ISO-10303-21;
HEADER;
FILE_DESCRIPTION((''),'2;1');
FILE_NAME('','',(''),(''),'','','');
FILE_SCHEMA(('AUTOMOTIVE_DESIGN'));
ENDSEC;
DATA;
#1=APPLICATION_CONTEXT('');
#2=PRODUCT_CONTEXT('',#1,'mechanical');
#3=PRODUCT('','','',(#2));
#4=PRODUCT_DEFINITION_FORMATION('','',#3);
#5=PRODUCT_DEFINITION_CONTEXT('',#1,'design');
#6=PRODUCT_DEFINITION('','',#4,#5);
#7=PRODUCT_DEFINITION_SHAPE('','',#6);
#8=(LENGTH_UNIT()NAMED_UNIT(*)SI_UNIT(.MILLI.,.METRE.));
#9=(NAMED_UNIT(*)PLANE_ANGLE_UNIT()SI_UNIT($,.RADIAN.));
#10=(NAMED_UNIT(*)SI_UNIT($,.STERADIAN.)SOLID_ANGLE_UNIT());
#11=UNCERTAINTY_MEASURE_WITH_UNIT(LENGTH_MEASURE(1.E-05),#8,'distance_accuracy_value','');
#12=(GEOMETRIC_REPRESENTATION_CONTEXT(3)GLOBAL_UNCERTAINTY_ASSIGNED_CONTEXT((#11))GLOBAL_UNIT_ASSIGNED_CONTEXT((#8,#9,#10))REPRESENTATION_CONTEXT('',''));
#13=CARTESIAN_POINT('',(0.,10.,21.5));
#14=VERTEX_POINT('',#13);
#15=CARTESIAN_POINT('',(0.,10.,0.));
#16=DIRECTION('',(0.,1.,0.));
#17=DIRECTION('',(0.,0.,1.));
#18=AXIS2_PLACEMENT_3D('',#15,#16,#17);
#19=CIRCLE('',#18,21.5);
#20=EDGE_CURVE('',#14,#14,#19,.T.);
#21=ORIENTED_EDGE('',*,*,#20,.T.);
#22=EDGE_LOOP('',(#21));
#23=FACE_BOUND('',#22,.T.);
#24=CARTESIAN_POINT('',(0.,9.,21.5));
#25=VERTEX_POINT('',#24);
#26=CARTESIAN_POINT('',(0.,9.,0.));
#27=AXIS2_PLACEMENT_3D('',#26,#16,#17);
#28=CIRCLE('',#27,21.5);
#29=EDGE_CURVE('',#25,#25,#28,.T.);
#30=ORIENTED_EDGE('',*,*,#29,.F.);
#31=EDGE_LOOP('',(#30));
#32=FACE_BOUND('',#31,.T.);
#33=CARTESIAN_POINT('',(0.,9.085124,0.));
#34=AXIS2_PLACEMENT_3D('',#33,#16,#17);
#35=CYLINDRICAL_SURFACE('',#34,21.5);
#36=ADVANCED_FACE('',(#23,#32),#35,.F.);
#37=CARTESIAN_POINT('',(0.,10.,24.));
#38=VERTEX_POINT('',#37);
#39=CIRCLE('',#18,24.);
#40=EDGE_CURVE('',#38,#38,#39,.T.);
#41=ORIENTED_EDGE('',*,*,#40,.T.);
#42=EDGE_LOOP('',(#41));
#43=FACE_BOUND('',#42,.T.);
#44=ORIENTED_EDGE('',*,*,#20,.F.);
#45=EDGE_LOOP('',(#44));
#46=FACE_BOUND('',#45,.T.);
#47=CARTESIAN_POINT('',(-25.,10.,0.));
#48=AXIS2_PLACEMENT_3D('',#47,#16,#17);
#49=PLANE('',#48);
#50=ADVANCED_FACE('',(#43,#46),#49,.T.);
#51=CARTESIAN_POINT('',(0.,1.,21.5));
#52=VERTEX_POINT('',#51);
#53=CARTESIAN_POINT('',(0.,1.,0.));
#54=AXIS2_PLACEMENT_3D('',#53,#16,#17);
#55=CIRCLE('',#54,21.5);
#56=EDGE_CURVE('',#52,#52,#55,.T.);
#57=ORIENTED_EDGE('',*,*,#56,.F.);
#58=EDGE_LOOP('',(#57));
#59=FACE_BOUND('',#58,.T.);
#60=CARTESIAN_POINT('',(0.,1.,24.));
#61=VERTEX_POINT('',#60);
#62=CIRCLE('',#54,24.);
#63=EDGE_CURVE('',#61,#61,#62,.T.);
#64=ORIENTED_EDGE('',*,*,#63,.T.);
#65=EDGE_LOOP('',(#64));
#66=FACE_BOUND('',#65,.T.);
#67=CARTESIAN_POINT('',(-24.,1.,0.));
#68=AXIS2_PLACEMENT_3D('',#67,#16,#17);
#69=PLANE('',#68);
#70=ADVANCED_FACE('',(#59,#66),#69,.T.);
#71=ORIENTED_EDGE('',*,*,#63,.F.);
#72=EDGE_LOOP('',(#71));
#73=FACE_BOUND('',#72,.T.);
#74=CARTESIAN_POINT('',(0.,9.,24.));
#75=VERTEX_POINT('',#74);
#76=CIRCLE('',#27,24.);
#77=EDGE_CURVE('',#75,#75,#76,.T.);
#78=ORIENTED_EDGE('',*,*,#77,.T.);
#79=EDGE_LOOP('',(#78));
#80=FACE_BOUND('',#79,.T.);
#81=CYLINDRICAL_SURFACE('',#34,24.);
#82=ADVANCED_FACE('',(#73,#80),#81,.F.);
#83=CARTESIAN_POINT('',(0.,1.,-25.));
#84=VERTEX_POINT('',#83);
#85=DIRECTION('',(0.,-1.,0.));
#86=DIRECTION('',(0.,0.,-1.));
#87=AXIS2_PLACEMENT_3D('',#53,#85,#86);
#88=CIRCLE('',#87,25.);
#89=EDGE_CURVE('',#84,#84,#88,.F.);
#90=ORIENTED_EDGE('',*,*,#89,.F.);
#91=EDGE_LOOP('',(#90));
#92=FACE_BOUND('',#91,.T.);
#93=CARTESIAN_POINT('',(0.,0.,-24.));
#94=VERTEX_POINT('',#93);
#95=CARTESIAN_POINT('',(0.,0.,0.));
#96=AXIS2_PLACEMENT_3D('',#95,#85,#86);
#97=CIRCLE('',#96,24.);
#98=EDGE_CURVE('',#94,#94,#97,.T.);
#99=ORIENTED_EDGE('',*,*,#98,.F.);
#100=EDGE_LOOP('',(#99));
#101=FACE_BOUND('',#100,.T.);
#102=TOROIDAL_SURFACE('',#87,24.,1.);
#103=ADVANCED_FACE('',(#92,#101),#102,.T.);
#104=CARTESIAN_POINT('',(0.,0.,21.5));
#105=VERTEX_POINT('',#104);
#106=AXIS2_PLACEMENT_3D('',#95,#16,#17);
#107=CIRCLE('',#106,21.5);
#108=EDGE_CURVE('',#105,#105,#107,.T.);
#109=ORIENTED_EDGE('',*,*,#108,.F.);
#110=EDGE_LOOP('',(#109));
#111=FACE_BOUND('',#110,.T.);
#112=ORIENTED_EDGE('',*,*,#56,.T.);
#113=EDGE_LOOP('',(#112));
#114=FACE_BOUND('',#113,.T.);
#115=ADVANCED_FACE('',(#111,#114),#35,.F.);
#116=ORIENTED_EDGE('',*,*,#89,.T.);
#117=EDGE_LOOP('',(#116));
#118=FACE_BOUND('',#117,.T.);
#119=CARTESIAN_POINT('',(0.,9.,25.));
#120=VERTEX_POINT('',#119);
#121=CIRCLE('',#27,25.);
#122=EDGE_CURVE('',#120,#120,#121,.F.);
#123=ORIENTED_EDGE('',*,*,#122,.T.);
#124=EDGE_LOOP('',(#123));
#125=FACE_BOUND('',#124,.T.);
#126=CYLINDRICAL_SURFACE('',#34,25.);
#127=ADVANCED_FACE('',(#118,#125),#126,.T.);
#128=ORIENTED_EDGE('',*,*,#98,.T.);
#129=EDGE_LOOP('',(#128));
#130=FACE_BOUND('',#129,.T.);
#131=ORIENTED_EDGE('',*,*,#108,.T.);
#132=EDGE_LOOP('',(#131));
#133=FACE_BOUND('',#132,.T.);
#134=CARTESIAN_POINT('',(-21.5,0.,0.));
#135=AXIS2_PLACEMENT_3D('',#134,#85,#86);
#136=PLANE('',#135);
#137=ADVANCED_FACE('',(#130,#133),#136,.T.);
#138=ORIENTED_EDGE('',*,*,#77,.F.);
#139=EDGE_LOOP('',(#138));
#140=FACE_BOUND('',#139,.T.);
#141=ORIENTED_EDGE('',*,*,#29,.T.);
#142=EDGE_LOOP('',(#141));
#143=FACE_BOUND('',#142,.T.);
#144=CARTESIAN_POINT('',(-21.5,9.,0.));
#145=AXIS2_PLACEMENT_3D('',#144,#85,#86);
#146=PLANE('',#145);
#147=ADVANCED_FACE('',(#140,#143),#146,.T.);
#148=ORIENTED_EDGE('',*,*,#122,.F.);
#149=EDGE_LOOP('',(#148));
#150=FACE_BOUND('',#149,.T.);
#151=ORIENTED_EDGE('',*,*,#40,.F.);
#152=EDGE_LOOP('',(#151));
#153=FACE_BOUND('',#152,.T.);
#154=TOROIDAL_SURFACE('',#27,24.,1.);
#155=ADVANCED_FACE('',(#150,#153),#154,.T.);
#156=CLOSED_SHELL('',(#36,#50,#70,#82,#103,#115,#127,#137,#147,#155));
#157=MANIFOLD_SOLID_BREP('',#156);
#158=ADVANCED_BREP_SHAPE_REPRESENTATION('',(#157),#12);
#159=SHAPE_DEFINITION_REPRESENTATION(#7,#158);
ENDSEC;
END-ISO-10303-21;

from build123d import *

# Parameters (mm, degrees)
FILLET1_R = 1


with BuildPart() as part:
    # Sketch1 → Revolve1 (revolve)
    with BuildSketch(Plane.XY, mode=Mode.PRIVATE) as revolve1_sk:
        Polygon((-21.5, 0), (-25, 0), (-25, 10), (-21.5, 10), (-21.5, 9), (-24, 9), (-24, 1), (-21.5, 1), align=None)
    revolve(revolve1_sk.sketch.rotate(Axis((0, 9.085123741, 0), (0, -1, 0)), 270), axis=Axis((0, 9.085123741, 0), (0, -1, 0)))

    # Fillet1
    fillet1_edges = [part.edges().sort_by_distance(p)[0] for p in [
        (0, 0, -25),
        (0, 10, -25),
    ]]
    fillet(fillet1_edges, radius=FILLET1_R)


solid = part.part
